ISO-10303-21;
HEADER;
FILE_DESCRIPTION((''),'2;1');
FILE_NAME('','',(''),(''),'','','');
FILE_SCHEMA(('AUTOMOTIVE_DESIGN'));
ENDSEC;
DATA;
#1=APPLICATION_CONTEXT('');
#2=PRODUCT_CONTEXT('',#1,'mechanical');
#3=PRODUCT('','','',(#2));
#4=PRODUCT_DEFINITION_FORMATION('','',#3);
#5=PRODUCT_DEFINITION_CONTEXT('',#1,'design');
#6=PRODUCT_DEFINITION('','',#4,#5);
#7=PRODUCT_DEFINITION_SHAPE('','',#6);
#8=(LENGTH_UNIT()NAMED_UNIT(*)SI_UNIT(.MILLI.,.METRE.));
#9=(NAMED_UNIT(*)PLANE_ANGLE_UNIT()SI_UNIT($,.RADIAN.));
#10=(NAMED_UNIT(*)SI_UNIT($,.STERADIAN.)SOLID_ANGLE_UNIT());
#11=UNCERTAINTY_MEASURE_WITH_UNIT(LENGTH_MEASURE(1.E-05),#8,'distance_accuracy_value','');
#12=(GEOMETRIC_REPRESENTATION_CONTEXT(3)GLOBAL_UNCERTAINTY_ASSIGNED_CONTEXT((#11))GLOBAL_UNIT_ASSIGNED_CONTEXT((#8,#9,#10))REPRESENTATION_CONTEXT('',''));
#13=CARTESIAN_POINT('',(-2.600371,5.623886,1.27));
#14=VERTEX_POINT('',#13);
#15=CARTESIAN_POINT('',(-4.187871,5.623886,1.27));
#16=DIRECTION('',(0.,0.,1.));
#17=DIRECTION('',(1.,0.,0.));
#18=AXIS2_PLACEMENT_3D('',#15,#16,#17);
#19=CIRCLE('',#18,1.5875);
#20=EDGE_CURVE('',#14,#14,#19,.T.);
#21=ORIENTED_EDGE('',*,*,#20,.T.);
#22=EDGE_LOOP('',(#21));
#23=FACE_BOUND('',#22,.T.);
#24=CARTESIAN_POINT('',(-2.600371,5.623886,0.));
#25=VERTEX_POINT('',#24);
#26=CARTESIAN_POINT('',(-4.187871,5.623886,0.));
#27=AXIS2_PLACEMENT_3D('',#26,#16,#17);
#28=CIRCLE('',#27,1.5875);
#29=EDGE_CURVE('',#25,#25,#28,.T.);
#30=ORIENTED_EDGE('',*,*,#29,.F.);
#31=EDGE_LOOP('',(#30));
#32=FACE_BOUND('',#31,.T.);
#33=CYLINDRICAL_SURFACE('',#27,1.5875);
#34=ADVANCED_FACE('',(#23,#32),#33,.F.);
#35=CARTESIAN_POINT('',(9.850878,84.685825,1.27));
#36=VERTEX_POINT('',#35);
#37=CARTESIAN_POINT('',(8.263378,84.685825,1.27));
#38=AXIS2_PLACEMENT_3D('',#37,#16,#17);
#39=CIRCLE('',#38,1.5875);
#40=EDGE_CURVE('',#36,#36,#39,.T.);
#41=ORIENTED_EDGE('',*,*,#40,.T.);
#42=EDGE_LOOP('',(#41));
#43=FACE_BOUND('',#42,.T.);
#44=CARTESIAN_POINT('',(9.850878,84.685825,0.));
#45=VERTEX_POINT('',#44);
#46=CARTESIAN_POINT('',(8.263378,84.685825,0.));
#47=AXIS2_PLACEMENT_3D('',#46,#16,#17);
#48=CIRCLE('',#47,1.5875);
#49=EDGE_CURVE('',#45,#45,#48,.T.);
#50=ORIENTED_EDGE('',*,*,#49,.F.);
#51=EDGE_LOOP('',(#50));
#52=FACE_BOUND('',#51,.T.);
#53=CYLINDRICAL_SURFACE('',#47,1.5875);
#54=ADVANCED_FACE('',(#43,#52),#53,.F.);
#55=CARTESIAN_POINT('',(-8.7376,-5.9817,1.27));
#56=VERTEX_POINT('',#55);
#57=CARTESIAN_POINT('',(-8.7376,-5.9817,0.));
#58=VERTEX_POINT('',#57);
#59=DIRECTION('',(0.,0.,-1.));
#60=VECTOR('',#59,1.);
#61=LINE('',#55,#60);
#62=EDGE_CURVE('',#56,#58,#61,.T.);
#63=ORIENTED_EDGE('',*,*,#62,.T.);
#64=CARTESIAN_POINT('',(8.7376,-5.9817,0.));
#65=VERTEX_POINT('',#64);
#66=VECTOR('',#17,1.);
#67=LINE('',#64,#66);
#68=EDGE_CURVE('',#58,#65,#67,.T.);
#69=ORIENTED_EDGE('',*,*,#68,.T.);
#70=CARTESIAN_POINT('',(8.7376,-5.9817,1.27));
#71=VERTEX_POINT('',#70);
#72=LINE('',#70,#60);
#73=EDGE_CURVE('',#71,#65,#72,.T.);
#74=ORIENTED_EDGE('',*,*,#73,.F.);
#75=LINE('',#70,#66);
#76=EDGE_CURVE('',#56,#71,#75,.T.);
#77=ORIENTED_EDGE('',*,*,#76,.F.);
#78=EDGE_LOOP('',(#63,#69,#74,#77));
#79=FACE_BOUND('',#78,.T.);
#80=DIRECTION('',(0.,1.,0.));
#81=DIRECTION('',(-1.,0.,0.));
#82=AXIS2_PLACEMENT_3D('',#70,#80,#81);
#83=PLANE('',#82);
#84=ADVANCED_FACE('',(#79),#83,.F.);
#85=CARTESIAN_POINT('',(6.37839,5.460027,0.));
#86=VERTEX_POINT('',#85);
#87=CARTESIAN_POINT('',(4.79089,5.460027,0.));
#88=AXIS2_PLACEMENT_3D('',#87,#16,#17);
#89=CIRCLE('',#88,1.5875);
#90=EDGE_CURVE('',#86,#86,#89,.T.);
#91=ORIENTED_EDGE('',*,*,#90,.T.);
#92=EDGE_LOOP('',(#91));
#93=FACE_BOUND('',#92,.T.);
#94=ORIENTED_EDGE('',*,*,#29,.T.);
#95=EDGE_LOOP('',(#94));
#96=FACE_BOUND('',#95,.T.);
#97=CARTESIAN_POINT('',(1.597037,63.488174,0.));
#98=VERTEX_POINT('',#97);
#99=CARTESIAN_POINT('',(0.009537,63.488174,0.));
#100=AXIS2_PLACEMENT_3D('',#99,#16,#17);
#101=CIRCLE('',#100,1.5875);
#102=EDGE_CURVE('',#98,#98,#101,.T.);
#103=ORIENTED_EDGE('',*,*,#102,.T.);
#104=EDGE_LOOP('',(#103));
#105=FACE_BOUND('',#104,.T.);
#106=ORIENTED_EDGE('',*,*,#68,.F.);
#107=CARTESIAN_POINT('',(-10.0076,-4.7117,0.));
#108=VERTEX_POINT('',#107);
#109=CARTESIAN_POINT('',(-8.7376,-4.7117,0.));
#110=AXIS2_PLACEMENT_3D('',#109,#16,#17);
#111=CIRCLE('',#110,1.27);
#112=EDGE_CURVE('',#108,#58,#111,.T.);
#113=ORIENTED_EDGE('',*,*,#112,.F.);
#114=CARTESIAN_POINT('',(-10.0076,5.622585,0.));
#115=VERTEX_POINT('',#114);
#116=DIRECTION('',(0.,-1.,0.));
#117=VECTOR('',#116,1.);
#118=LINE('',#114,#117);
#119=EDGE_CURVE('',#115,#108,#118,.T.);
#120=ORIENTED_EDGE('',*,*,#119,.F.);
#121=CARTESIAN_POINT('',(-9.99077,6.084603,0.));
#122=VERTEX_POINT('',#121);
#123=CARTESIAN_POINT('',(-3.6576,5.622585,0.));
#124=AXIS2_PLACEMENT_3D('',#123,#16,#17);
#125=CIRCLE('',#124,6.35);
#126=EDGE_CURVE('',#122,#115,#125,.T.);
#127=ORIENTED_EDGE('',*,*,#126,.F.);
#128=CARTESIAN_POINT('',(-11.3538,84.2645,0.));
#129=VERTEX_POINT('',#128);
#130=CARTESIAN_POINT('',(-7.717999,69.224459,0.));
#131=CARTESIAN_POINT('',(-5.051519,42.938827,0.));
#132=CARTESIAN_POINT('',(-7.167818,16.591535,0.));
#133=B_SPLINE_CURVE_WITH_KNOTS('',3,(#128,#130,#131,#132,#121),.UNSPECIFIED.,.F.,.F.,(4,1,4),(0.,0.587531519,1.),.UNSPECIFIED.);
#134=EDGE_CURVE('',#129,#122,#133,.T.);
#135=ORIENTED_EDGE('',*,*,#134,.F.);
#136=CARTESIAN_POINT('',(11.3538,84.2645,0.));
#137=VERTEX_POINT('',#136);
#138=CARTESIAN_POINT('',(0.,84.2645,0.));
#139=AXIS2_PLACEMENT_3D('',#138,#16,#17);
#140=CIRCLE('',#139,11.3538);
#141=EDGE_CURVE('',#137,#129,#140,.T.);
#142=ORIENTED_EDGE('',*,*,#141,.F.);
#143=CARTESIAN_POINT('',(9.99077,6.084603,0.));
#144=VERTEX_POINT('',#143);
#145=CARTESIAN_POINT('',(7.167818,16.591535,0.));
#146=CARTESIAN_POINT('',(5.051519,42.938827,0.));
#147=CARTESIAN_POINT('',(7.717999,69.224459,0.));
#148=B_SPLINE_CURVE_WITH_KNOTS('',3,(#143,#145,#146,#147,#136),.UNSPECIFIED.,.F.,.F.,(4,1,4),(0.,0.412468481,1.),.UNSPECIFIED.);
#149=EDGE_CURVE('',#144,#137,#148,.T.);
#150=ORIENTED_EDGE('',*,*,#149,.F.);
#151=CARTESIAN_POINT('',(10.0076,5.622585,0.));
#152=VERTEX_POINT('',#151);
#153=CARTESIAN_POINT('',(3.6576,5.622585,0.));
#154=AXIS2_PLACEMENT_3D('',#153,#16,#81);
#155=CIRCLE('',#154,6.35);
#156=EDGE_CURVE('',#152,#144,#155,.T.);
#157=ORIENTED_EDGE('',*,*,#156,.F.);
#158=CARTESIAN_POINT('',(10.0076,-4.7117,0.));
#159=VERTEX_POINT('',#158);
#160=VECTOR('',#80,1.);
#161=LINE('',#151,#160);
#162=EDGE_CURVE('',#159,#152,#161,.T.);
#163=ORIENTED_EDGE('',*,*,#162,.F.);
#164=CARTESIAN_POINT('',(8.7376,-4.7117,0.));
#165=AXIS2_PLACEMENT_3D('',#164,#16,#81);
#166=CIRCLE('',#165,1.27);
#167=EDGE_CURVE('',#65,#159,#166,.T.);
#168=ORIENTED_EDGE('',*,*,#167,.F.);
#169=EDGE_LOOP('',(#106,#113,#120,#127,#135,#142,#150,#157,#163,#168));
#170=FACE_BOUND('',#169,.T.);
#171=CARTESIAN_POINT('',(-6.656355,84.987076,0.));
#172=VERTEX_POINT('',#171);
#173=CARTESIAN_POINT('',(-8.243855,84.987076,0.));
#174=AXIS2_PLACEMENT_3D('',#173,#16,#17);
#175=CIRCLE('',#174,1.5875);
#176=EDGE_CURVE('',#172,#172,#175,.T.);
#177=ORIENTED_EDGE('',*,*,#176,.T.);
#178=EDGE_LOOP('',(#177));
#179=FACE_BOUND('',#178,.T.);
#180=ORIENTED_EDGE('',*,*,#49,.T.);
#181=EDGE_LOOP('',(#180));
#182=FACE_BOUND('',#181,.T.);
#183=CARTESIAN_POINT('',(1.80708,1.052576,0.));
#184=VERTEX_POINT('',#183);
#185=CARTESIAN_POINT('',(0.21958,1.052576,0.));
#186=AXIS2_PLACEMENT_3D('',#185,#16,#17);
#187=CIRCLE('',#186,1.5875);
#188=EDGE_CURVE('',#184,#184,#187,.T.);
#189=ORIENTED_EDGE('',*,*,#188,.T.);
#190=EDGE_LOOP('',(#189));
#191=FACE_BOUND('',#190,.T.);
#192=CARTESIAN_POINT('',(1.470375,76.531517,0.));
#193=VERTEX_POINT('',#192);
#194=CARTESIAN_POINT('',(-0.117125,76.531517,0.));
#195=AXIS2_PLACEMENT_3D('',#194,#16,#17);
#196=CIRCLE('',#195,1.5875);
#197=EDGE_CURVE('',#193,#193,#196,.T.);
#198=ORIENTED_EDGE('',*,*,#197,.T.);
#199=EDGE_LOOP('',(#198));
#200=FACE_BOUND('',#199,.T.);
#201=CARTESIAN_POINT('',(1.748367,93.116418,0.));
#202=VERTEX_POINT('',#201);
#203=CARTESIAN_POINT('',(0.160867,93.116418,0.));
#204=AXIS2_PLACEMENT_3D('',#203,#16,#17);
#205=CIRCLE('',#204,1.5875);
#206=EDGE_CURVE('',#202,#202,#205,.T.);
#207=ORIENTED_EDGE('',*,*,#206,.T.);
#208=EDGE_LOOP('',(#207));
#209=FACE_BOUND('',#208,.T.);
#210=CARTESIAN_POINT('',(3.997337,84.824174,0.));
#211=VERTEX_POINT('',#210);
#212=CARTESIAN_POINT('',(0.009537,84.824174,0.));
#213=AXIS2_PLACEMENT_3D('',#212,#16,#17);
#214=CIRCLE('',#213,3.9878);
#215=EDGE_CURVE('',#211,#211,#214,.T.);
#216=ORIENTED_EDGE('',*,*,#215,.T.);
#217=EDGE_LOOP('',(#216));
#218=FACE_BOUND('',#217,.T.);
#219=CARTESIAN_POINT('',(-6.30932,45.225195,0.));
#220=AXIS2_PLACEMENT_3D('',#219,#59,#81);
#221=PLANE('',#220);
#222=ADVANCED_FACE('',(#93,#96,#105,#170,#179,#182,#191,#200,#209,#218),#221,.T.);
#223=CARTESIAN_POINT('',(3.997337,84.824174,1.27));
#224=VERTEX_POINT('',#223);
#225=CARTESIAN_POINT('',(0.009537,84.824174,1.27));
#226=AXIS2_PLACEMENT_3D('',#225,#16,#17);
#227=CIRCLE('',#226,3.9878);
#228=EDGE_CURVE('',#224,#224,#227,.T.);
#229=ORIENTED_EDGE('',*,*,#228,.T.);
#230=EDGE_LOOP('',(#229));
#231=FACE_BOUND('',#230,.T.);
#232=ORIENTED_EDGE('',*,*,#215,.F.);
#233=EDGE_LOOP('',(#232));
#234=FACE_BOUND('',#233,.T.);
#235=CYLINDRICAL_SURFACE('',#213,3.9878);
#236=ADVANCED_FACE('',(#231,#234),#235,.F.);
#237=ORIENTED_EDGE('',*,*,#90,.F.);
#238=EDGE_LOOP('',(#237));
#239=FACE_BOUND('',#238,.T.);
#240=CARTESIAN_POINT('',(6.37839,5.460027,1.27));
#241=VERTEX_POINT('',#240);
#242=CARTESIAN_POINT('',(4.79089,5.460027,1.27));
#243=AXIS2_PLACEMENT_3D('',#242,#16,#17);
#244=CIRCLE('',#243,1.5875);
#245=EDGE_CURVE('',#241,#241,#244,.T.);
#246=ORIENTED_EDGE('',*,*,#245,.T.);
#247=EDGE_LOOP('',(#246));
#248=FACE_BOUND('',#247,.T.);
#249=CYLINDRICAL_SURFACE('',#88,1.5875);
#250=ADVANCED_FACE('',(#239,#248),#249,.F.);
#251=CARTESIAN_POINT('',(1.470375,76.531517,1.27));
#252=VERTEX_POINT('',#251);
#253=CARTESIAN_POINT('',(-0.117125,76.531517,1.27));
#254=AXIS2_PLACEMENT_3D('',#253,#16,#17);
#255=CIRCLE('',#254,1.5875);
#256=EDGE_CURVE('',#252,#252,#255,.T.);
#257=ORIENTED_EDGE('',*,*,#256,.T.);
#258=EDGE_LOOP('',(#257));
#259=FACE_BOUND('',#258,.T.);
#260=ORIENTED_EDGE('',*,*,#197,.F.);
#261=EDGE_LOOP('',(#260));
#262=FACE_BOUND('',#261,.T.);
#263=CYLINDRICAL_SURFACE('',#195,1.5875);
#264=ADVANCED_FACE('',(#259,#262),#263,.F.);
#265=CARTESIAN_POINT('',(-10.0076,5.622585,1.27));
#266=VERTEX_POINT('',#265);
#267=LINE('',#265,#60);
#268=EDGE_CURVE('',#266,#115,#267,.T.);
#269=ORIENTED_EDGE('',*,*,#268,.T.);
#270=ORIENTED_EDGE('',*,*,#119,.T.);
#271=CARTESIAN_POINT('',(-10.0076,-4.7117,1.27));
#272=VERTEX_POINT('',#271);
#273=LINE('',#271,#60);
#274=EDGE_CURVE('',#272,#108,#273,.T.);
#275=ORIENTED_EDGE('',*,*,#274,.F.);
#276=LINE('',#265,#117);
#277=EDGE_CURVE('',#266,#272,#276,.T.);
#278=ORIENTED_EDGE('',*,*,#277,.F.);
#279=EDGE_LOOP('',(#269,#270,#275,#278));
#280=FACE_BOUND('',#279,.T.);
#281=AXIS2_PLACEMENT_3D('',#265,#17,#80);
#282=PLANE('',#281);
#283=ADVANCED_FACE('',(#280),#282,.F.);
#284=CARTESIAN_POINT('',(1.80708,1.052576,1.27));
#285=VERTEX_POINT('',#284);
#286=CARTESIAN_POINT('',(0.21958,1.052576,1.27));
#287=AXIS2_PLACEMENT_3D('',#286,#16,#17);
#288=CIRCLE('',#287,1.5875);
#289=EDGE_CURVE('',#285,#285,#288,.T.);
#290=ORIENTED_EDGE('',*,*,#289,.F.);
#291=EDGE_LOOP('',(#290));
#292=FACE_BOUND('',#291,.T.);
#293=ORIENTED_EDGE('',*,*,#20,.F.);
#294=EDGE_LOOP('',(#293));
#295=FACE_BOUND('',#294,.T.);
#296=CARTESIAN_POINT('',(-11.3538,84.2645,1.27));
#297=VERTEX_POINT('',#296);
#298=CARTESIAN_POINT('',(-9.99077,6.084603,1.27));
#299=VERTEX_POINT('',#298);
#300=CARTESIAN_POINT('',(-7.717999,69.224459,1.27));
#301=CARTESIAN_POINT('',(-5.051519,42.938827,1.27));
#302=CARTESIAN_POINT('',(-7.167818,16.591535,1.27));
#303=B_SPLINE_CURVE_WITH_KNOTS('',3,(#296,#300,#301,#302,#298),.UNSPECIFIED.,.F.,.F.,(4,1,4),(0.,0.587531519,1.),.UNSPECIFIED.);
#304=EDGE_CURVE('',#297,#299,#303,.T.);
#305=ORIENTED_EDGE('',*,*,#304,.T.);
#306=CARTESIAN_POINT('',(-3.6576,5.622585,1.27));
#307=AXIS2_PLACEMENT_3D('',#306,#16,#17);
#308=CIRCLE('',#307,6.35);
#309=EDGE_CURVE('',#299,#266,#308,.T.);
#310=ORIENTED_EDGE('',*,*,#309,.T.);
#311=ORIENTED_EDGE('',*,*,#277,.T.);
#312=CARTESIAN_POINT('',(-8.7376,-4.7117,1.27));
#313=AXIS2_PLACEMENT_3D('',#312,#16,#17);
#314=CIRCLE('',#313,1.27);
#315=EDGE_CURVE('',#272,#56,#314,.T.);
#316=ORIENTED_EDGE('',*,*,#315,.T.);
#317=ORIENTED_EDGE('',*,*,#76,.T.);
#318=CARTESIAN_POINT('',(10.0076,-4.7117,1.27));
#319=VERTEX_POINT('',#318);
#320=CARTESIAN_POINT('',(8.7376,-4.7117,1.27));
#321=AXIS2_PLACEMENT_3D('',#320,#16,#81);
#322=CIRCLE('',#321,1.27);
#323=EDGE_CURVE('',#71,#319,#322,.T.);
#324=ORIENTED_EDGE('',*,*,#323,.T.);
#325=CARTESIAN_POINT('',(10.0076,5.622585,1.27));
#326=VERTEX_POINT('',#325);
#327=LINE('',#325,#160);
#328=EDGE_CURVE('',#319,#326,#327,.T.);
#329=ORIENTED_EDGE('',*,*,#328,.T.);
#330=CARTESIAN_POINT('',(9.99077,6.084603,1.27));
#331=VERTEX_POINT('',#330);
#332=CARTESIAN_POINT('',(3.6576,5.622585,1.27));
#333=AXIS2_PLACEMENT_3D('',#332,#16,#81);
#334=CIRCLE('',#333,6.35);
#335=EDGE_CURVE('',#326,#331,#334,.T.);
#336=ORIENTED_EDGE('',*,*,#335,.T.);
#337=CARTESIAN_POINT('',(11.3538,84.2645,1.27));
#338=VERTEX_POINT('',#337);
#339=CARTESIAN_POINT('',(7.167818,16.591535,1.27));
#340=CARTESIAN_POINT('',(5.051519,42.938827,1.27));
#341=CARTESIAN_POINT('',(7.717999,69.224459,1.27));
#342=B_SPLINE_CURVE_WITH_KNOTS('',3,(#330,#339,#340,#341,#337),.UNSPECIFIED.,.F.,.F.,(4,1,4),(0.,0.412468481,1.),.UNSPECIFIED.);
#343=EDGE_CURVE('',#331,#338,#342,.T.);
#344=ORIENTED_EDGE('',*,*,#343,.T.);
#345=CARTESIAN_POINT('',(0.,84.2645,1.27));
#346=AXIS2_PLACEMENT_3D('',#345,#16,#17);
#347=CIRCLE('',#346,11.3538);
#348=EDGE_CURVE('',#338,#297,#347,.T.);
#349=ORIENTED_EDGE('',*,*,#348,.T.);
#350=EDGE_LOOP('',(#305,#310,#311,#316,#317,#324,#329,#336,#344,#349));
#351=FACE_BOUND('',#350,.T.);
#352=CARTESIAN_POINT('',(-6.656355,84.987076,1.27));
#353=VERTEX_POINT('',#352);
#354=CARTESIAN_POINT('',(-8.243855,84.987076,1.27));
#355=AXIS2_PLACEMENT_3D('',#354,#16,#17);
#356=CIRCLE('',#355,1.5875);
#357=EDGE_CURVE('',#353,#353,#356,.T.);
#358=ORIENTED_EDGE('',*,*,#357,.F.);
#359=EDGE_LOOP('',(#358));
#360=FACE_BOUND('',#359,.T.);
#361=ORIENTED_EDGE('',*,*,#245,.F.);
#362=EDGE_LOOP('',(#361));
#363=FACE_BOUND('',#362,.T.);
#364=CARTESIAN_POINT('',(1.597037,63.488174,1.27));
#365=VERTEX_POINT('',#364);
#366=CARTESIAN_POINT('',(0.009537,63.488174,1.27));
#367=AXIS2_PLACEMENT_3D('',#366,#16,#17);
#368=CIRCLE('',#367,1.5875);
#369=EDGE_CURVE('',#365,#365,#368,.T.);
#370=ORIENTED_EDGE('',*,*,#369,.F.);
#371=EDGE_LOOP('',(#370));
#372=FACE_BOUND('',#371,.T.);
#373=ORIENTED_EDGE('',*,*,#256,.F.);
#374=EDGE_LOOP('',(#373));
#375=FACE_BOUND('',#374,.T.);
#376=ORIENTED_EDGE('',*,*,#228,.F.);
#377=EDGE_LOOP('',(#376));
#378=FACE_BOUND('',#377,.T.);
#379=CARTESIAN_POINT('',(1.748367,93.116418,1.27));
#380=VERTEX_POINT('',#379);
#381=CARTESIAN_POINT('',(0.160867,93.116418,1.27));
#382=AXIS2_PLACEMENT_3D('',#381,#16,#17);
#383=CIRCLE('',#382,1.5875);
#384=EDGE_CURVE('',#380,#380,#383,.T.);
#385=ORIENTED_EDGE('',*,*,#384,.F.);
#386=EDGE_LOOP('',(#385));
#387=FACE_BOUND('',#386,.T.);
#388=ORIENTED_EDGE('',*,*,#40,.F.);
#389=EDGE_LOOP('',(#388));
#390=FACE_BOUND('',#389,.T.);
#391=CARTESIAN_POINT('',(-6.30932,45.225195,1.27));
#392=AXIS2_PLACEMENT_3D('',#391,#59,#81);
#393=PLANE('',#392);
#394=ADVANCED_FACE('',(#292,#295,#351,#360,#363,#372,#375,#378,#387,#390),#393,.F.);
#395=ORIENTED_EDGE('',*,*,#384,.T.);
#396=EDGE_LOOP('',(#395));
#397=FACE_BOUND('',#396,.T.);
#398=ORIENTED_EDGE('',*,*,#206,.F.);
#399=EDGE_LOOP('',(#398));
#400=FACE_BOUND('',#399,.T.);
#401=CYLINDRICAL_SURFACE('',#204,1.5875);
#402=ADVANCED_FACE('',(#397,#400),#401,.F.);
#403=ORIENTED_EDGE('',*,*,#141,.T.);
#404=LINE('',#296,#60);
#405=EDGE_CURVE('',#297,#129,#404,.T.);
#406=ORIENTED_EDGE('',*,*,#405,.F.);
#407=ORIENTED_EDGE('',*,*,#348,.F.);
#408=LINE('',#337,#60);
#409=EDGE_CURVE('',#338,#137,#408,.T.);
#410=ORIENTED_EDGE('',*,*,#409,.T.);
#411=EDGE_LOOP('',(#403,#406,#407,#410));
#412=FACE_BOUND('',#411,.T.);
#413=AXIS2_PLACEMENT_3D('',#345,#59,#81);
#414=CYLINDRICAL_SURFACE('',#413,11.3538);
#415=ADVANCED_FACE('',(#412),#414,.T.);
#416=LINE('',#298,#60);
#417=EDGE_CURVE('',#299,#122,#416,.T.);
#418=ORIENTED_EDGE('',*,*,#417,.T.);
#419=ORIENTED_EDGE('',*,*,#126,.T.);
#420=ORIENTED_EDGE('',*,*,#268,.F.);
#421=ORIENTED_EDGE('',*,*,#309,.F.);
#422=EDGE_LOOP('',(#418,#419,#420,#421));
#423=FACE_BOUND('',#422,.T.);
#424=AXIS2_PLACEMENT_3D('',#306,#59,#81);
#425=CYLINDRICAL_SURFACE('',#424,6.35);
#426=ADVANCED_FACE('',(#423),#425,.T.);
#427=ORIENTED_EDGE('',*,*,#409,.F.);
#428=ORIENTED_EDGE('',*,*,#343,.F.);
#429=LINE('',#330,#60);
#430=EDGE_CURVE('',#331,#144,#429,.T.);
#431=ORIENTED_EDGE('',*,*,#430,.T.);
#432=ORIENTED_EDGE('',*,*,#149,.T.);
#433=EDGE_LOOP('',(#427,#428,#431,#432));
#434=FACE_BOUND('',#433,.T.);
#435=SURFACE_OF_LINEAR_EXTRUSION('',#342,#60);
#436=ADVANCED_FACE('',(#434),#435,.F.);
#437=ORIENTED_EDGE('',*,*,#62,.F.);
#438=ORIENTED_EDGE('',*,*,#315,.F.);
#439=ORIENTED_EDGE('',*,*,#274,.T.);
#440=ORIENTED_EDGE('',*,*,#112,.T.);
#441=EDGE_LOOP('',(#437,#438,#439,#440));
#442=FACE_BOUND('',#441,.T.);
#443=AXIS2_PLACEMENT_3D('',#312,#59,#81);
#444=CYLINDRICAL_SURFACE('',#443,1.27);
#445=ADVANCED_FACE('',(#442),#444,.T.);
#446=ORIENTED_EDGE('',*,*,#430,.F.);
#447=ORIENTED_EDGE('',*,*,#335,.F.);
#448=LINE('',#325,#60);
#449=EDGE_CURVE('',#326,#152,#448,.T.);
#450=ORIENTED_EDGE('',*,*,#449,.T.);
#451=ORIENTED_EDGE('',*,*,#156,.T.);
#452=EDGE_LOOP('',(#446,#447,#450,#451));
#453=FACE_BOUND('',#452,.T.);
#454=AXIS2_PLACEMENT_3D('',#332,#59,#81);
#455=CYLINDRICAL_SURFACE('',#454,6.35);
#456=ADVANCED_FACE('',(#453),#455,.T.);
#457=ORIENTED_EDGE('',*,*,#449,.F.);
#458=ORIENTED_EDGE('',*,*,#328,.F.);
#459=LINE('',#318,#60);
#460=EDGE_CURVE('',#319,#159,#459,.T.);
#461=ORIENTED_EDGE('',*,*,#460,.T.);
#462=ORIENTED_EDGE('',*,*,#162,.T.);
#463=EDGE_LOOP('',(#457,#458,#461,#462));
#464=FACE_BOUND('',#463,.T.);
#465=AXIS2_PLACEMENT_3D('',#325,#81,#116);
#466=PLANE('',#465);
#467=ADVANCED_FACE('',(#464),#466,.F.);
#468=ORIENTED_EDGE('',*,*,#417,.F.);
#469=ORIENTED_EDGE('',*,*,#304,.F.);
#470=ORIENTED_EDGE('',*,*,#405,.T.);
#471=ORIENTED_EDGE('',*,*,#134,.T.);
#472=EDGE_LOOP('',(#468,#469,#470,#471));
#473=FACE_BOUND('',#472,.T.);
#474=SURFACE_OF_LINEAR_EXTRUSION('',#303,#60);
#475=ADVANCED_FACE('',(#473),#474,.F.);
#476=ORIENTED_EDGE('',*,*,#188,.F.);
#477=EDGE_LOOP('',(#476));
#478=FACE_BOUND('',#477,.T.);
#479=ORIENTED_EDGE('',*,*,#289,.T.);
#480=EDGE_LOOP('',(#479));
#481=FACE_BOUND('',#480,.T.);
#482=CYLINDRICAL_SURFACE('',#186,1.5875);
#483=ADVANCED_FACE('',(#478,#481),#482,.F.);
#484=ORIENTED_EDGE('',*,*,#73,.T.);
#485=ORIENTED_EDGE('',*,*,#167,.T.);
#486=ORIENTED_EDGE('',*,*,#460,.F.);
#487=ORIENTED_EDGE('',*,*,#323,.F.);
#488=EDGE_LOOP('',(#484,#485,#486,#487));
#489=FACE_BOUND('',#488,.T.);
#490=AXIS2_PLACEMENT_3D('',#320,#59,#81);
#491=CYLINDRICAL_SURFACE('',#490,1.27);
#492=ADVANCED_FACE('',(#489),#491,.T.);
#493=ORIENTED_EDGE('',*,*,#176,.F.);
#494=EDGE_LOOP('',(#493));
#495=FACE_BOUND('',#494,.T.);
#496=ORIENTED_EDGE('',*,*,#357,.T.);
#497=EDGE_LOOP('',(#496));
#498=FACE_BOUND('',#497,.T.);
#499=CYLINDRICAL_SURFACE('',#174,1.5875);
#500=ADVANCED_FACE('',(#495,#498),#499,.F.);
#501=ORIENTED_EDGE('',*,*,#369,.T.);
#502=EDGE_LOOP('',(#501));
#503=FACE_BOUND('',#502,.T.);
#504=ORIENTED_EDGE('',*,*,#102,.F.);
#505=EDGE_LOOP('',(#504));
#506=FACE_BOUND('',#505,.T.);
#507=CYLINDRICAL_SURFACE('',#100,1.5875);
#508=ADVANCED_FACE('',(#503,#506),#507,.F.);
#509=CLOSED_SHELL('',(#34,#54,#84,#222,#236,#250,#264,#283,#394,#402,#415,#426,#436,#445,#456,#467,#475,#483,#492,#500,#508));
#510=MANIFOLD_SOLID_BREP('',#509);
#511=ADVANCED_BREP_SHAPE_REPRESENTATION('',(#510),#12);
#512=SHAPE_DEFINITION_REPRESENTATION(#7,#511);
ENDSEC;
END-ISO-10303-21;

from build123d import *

# Parameters (mm, degrees)
BOSS_EXTRUDE1_DEPTH = 1.27
SKETCH3_R           = 1.5875
SKETCH3_R_2         = 3.9878
CUT_EXTRUDE1_DEPTH  = 97.298395578


with BuildPart() as part:
    # Sketch1 → Boss-Extrude1 (new body)
    with BuildSketch(Plane.XY):
        with BuildLine():
            Line((10.0076, 5.622584698), (10.0076, -4.7117))
            ThreePointArc((10.0076, -4.7117), (9.635625612, -5.609725612), (8.7376, -5.9817))
            Line((8.7376, -5.9817), (-8.7376, -5.9817))
            ThreePointArc((-8.7376, -5.9817), (-9.635625612, -5.609725612), (-10.0076, -4.7117))
            Line((-10.0076, -4.7117), (-10.0076, 5.622584698))
            ThreePointArc((-10.0076, 5.622584698), (-10.003391038, 5.85374719), (-9.990769733, 6.084603239))
            add(Edge.make_bspline(
                [(-9.990769733, 6.084603239), (-7.167817584, 16.591535459), (-5.051519119, 42.938826991), (-7.717998868, 69.224459282), (-11.3538, 84.2645)],
                knots=[0, 0, 0, 0, 0.412468481, 1, 1, 1, 1], degree=3))
            ThreePointArc((-11.3538, 84.2645), (0, 95.6183), (11.3538, 84.2645))
            add(Edge.make_bspline(
                [(9.990769733, 6.084603239), (7.167817584, 16.591535459), (5.051519119, 42.938826991), (7.717998868, 69.224459282), (11.3538, 84.2645)],
                knots=[0, 0, 0, 0, 0.412468481, 1, 1, 1, 1], degree=3))
            ThreePointArc((9.990769733, 6.084603239), (10.003391038, 5.85374719), (10.0076, 5.622584698))
        make_face()
    extrude(amount=BOSS_EXTRUDE1_DEPTH)

    # Sketch3 → Cut-Extrude1 (cut, through all)
    with BuildSketch(Plane.XY.offset(1.27)):
        with Locations((0.009537188, 63.488174324)):
            Circle(SKETCH3_R)
        with Locations((-4.18787141, 5.623885886)):
            Circle(SKETCH3_R)
        with Locations((0.009537188, 84.824174324)):
            Circle(SKETCH3_R_2)
        with Locations((4.790889658, 5.460027166)):
            Circle(SKETCH3_R)
        with Locations((0.219579764, 1.052575992)):
            Circle(SKETCH3_R)
        with Locations((8.263377785, 84.685825499)):
            Circle(SKETCH3_R)
        with Locations((-0.117124746, 76.531516693)):
            Circle(SKETCH3_R)
        with Locations((-8.243855334, 84.987075758)):
            Circle(SKETCH3_R)
        with Locations((0.160867255, 93.116418474)):
            Circle(SKETCH3_R)
    extrude(amount=-CUT_EXTRUDE1_DEPTH, mode=Mode.SUBTRACT)


solid = part.part
